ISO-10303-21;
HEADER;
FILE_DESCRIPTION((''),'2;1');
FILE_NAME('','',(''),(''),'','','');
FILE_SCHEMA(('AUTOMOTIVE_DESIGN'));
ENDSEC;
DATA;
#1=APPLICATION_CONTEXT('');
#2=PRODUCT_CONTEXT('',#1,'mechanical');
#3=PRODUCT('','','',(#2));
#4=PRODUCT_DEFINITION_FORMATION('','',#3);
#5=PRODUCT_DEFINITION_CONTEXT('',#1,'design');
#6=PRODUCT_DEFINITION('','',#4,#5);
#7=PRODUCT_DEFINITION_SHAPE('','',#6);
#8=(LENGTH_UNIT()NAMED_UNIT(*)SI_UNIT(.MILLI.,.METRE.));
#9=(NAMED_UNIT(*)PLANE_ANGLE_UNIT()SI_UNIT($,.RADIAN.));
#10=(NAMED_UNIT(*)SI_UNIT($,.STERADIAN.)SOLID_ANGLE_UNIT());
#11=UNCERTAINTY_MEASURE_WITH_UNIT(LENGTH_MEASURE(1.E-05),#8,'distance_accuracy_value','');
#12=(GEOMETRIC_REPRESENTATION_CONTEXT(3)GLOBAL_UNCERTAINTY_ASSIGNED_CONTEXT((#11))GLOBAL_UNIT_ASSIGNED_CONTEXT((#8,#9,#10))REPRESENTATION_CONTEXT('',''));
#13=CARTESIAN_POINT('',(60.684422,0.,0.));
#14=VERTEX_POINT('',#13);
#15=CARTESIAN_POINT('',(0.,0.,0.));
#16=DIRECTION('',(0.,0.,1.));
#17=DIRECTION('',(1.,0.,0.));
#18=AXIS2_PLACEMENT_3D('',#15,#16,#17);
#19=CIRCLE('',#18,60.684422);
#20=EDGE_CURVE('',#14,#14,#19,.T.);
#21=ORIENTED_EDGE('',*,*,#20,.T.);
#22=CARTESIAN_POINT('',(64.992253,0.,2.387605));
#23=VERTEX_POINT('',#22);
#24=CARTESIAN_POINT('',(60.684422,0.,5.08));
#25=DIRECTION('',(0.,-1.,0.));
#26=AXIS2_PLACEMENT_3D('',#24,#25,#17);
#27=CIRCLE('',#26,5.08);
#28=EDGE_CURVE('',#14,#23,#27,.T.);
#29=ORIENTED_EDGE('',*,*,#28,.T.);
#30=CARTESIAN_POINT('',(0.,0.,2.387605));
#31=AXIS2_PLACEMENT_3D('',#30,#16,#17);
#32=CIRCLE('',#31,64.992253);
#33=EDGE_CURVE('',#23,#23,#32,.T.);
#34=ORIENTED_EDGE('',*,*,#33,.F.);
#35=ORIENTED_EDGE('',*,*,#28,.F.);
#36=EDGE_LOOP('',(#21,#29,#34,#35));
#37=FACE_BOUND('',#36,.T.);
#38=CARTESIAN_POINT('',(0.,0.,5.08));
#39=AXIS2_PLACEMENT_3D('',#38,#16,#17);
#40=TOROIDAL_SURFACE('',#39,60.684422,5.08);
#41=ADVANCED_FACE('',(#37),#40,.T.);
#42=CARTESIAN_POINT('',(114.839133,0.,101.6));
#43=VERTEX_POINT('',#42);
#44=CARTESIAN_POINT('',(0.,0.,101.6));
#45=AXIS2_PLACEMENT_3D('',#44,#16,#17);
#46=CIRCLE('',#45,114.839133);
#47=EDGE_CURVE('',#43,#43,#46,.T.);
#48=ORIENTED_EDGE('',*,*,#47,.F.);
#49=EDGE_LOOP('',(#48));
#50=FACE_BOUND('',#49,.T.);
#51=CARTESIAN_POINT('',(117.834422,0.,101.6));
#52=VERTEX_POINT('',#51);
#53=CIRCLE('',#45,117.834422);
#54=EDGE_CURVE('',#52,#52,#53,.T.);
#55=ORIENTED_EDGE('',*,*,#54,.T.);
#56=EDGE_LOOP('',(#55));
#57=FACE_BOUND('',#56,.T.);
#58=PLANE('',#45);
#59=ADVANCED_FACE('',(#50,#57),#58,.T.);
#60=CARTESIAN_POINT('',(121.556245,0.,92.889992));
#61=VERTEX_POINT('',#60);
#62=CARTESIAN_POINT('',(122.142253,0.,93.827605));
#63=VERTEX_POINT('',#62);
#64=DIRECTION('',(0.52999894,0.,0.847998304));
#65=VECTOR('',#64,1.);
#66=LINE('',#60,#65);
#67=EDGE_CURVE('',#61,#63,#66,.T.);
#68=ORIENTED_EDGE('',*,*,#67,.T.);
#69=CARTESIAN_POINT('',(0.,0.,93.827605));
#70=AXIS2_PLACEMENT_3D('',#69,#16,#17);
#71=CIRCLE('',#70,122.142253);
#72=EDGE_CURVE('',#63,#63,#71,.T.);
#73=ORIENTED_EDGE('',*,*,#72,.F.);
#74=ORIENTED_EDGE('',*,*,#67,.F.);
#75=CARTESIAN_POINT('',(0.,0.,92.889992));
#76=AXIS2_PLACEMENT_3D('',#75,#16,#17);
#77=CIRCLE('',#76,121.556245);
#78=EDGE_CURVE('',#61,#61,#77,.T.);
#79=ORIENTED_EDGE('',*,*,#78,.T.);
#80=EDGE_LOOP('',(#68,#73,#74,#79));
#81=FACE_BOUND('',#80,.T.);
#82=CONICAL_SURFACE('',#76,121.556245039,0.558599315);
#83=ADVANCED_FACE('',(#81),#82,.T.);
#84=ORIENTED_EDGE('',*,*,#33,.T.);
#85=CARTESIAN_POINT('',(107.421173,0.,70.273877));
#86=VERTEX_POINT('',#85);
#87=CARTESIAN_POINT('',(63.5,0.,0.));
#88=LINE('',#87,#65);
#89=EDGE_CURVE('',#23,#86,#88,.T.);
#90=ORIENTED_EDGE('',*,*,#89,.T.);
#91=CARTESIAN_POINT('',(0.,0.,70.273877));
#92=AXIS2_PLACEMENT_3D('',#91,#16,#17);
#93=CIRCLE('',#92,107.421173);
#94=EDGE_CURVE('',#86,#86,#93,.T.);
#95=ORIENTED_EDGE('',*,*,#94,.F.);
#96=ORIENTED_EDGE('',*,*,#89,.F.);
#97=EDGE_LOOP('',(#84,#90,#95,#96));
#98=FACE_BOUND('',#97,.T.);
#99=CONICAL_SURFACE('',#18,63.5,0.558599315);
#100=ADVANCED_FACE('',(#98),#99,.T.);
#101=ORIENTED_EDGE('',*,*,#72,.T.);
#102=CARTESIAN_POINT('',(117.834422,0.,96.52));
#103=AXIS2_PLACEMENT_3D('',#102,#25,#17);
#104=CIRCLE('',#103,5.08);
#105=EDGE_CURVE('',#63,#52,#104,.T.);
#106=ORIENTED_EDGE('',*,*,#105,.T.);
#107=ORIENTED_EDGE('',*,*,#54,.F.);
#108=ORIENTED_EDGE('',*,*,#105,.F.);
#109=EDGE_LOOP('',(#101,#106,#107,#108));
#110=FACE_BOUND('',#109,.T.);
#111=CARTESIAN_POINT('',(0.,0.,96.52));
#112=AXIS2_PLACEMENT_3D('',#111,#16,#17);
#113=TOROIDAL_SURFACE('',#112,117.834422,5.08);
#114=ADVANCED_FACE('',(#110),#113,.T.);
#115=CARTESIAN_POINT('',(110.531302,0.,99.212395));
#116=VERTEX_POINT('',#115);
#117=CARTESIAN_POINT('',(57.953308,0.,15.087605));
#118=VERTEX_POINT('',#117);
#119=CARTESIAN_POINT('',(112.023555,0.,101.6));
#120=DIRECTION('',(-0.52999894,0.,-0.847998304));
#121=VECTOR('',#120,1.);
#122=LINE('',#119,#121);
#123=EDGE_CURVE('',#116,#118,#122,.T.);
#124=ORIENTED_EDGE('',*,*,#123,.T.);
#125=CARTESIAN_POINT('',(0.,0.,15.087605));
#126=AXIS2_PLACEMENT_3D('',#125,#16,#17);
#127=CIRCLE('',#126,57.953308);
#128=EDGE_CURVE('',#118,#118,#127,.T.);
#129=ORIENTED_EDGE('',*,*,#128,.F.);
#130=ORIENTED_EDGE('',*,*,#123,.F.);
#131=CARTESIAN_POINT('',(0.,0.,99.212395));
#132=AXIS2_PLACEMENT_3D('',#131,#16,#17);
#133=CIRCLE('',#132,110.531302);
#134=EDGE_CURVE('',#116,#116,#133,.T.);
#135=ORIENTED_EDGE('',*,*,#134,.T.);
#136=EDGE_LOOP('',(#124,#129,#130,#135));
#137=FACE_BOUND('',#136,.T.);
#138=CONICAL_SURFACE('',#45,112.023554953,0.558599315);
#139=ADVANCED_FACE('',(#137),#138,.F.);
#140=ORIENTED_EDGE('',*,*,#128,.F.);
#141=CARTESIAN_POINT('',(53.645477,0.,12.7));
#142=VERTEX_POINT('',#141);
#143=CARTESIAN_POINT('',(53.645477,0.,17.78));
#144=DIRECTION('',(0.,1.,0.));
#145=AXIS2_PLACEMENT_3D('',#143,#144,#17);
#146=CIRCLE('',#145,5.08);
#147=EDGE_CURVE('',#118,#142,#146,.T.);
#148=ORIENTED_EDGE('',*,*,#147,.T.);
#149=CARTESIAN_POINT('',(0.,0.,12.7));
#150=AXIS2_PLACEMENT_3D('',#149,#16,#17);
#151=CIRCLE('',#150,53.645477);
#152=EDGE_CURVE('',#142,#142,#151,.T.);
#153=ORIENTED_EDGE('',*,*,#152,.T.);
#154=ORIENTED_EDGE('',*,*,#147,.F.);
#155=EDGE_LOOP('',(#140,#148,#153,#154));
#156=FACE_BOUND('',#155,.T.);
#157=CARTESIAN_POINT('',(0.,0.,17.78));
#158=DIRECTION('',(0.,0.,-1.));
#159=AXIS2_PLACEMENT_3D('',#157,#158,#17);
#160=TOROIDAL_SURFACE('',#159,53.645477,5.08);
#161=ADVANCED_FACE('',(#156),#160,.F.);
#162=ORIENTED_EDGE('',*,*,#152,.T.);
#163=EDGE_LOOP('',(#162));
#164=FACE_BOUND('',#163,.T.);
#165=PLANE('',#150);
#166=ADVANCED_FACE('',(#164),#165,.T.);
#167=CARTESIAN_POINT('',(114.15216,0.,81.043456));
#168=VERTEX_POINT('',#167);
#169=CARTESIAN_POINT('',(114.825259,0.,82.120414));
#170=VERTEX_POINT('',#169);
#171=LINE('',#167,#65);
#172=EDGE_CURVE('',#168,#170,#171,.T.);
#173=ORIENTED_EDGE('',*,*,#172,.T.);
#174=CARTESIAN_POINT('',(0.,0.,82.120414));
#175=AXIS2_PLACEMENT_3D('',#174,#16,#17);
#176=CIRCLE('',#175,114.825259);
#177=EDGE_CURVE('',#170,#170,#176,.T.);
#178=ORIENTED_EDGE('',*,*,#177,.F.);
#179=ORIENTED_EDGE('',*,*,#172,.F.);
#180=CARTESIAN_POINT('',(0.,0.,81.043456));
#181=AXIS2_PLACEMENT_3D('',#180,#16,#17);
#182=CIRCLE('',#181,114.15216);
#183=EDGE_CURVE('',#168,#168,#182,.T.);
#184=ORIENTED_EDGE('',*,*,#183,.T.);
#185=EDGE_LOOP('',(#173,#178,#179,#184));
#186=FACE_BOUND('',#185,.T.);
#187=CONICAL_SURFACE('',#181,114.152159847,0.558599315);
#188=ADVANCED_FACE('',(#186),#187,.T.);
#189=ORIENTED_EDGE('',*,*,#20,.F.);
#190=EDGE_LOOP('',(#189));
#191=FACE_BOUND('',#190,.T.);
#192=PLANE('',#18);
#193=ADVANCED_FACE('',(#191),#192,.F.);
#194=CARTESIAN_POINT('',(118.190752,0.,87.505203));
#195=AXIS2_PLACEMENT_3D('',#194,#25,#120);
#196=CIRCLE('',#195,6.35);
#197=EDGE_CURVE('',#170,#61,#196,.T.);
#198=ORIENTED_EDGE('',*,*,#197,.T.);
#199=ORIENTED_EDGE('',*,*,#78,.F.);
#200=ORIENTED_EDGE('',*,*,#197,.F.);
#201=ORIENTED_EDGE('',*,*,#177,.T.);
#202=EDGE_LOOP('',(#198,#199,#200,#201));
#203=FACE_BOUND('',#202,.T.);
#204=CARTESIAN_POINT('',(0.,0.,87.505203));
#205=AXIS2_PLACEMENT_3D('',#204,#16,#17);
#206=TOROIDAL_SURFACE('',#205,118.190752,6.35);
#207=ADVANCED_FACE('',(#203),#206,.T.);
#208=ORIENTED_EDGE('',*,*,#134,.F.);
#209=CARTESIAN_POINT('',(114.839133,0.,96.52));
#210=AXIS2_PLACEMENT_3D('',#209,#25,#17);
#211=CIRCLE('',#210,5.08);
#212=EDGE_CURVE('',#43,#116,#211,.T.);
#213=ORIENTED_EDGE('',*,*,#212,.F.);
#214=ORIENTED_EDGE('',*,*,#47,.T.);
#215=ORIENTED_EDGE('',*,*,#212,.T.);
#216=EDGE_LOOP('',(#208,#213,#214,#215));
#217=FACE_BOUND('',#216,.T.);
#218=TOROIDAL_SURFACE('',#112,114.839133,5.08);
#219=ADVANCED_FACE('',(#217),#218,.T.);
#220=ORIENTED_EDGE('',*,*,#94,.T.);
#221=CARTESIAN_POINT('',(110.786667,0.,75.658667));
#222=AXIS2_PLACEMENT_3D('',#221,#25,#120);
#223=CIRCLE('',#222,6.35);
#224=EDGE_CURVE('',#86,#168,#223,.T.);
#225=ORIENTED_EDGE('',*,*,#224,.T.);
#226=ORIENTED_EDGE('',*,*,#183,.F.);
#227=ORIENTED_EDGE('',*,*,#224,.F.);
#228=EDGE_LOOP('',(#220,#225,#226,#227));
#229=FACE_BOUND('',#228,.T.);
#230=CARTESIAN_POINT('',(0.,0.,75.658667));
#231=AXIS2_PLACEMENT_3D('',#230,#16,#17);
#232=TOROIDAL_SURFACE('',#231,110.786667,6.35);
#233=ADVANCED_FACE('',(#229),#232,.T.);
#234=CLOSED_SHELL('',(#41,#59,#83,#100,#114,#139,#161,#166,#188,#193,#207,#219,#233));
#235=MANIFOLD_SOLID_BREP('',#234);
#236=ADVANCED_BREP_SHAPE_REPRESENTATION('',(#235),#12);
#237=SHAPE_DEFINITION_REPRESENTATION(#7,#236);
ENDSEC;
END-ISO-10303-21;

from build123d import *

# Parameters (mm, degrees)
F2_R = 5.08


with BuildPart() as f1:
    # F0 (on Front) → F1 (revolve)
    with BuildSketch(Plane.XZ):
        Polygon((0, 12.7), (0, 0), (63.5, 0), (107.4211733091, 70.2738772946), (114.1521598471, 81.0434557554), (114.8252585009, 82.1204136015), (121.556245039, 92.8899920624), (127, 101.6), (112.0235549529, 101.6), (56.4610549529, 12.7), align=None)
        with BuildLine():
            Line((121.556245039, 92.8899920624), (114.8252585009, 82.1204136015))
            ThreePointArc((114.8252585009, 82.1204136015), (123.5755410004, 84.1397095629), (121.556245039, 92.8899920624))
        make_face()
        with BuildLine():
            Line((114.1521598471, 81.0434557554), (107.4211733091, 70.2738772946))
            ThreePointArc((107.4211733091, 70.2738772946), (116.1714558086, 72.293173256), (114.1521598471, 81.0434557554))
        make_face()
    revolve(axis=Axis((0, 0, 50.8), (0, 0, 1)))

    # F2
    f2_edges = [f1.edges().sort_by_distance(p)[0] for p in [
        (-56.461055, 0, 12.7),
        (-112.023555, 0, 101.6),
        (-127, 0, 101.6),
        (-63.5, 0, 0),
    ]]
    fillet(f2_edges, radius=F2_R)


solid = f1.part
